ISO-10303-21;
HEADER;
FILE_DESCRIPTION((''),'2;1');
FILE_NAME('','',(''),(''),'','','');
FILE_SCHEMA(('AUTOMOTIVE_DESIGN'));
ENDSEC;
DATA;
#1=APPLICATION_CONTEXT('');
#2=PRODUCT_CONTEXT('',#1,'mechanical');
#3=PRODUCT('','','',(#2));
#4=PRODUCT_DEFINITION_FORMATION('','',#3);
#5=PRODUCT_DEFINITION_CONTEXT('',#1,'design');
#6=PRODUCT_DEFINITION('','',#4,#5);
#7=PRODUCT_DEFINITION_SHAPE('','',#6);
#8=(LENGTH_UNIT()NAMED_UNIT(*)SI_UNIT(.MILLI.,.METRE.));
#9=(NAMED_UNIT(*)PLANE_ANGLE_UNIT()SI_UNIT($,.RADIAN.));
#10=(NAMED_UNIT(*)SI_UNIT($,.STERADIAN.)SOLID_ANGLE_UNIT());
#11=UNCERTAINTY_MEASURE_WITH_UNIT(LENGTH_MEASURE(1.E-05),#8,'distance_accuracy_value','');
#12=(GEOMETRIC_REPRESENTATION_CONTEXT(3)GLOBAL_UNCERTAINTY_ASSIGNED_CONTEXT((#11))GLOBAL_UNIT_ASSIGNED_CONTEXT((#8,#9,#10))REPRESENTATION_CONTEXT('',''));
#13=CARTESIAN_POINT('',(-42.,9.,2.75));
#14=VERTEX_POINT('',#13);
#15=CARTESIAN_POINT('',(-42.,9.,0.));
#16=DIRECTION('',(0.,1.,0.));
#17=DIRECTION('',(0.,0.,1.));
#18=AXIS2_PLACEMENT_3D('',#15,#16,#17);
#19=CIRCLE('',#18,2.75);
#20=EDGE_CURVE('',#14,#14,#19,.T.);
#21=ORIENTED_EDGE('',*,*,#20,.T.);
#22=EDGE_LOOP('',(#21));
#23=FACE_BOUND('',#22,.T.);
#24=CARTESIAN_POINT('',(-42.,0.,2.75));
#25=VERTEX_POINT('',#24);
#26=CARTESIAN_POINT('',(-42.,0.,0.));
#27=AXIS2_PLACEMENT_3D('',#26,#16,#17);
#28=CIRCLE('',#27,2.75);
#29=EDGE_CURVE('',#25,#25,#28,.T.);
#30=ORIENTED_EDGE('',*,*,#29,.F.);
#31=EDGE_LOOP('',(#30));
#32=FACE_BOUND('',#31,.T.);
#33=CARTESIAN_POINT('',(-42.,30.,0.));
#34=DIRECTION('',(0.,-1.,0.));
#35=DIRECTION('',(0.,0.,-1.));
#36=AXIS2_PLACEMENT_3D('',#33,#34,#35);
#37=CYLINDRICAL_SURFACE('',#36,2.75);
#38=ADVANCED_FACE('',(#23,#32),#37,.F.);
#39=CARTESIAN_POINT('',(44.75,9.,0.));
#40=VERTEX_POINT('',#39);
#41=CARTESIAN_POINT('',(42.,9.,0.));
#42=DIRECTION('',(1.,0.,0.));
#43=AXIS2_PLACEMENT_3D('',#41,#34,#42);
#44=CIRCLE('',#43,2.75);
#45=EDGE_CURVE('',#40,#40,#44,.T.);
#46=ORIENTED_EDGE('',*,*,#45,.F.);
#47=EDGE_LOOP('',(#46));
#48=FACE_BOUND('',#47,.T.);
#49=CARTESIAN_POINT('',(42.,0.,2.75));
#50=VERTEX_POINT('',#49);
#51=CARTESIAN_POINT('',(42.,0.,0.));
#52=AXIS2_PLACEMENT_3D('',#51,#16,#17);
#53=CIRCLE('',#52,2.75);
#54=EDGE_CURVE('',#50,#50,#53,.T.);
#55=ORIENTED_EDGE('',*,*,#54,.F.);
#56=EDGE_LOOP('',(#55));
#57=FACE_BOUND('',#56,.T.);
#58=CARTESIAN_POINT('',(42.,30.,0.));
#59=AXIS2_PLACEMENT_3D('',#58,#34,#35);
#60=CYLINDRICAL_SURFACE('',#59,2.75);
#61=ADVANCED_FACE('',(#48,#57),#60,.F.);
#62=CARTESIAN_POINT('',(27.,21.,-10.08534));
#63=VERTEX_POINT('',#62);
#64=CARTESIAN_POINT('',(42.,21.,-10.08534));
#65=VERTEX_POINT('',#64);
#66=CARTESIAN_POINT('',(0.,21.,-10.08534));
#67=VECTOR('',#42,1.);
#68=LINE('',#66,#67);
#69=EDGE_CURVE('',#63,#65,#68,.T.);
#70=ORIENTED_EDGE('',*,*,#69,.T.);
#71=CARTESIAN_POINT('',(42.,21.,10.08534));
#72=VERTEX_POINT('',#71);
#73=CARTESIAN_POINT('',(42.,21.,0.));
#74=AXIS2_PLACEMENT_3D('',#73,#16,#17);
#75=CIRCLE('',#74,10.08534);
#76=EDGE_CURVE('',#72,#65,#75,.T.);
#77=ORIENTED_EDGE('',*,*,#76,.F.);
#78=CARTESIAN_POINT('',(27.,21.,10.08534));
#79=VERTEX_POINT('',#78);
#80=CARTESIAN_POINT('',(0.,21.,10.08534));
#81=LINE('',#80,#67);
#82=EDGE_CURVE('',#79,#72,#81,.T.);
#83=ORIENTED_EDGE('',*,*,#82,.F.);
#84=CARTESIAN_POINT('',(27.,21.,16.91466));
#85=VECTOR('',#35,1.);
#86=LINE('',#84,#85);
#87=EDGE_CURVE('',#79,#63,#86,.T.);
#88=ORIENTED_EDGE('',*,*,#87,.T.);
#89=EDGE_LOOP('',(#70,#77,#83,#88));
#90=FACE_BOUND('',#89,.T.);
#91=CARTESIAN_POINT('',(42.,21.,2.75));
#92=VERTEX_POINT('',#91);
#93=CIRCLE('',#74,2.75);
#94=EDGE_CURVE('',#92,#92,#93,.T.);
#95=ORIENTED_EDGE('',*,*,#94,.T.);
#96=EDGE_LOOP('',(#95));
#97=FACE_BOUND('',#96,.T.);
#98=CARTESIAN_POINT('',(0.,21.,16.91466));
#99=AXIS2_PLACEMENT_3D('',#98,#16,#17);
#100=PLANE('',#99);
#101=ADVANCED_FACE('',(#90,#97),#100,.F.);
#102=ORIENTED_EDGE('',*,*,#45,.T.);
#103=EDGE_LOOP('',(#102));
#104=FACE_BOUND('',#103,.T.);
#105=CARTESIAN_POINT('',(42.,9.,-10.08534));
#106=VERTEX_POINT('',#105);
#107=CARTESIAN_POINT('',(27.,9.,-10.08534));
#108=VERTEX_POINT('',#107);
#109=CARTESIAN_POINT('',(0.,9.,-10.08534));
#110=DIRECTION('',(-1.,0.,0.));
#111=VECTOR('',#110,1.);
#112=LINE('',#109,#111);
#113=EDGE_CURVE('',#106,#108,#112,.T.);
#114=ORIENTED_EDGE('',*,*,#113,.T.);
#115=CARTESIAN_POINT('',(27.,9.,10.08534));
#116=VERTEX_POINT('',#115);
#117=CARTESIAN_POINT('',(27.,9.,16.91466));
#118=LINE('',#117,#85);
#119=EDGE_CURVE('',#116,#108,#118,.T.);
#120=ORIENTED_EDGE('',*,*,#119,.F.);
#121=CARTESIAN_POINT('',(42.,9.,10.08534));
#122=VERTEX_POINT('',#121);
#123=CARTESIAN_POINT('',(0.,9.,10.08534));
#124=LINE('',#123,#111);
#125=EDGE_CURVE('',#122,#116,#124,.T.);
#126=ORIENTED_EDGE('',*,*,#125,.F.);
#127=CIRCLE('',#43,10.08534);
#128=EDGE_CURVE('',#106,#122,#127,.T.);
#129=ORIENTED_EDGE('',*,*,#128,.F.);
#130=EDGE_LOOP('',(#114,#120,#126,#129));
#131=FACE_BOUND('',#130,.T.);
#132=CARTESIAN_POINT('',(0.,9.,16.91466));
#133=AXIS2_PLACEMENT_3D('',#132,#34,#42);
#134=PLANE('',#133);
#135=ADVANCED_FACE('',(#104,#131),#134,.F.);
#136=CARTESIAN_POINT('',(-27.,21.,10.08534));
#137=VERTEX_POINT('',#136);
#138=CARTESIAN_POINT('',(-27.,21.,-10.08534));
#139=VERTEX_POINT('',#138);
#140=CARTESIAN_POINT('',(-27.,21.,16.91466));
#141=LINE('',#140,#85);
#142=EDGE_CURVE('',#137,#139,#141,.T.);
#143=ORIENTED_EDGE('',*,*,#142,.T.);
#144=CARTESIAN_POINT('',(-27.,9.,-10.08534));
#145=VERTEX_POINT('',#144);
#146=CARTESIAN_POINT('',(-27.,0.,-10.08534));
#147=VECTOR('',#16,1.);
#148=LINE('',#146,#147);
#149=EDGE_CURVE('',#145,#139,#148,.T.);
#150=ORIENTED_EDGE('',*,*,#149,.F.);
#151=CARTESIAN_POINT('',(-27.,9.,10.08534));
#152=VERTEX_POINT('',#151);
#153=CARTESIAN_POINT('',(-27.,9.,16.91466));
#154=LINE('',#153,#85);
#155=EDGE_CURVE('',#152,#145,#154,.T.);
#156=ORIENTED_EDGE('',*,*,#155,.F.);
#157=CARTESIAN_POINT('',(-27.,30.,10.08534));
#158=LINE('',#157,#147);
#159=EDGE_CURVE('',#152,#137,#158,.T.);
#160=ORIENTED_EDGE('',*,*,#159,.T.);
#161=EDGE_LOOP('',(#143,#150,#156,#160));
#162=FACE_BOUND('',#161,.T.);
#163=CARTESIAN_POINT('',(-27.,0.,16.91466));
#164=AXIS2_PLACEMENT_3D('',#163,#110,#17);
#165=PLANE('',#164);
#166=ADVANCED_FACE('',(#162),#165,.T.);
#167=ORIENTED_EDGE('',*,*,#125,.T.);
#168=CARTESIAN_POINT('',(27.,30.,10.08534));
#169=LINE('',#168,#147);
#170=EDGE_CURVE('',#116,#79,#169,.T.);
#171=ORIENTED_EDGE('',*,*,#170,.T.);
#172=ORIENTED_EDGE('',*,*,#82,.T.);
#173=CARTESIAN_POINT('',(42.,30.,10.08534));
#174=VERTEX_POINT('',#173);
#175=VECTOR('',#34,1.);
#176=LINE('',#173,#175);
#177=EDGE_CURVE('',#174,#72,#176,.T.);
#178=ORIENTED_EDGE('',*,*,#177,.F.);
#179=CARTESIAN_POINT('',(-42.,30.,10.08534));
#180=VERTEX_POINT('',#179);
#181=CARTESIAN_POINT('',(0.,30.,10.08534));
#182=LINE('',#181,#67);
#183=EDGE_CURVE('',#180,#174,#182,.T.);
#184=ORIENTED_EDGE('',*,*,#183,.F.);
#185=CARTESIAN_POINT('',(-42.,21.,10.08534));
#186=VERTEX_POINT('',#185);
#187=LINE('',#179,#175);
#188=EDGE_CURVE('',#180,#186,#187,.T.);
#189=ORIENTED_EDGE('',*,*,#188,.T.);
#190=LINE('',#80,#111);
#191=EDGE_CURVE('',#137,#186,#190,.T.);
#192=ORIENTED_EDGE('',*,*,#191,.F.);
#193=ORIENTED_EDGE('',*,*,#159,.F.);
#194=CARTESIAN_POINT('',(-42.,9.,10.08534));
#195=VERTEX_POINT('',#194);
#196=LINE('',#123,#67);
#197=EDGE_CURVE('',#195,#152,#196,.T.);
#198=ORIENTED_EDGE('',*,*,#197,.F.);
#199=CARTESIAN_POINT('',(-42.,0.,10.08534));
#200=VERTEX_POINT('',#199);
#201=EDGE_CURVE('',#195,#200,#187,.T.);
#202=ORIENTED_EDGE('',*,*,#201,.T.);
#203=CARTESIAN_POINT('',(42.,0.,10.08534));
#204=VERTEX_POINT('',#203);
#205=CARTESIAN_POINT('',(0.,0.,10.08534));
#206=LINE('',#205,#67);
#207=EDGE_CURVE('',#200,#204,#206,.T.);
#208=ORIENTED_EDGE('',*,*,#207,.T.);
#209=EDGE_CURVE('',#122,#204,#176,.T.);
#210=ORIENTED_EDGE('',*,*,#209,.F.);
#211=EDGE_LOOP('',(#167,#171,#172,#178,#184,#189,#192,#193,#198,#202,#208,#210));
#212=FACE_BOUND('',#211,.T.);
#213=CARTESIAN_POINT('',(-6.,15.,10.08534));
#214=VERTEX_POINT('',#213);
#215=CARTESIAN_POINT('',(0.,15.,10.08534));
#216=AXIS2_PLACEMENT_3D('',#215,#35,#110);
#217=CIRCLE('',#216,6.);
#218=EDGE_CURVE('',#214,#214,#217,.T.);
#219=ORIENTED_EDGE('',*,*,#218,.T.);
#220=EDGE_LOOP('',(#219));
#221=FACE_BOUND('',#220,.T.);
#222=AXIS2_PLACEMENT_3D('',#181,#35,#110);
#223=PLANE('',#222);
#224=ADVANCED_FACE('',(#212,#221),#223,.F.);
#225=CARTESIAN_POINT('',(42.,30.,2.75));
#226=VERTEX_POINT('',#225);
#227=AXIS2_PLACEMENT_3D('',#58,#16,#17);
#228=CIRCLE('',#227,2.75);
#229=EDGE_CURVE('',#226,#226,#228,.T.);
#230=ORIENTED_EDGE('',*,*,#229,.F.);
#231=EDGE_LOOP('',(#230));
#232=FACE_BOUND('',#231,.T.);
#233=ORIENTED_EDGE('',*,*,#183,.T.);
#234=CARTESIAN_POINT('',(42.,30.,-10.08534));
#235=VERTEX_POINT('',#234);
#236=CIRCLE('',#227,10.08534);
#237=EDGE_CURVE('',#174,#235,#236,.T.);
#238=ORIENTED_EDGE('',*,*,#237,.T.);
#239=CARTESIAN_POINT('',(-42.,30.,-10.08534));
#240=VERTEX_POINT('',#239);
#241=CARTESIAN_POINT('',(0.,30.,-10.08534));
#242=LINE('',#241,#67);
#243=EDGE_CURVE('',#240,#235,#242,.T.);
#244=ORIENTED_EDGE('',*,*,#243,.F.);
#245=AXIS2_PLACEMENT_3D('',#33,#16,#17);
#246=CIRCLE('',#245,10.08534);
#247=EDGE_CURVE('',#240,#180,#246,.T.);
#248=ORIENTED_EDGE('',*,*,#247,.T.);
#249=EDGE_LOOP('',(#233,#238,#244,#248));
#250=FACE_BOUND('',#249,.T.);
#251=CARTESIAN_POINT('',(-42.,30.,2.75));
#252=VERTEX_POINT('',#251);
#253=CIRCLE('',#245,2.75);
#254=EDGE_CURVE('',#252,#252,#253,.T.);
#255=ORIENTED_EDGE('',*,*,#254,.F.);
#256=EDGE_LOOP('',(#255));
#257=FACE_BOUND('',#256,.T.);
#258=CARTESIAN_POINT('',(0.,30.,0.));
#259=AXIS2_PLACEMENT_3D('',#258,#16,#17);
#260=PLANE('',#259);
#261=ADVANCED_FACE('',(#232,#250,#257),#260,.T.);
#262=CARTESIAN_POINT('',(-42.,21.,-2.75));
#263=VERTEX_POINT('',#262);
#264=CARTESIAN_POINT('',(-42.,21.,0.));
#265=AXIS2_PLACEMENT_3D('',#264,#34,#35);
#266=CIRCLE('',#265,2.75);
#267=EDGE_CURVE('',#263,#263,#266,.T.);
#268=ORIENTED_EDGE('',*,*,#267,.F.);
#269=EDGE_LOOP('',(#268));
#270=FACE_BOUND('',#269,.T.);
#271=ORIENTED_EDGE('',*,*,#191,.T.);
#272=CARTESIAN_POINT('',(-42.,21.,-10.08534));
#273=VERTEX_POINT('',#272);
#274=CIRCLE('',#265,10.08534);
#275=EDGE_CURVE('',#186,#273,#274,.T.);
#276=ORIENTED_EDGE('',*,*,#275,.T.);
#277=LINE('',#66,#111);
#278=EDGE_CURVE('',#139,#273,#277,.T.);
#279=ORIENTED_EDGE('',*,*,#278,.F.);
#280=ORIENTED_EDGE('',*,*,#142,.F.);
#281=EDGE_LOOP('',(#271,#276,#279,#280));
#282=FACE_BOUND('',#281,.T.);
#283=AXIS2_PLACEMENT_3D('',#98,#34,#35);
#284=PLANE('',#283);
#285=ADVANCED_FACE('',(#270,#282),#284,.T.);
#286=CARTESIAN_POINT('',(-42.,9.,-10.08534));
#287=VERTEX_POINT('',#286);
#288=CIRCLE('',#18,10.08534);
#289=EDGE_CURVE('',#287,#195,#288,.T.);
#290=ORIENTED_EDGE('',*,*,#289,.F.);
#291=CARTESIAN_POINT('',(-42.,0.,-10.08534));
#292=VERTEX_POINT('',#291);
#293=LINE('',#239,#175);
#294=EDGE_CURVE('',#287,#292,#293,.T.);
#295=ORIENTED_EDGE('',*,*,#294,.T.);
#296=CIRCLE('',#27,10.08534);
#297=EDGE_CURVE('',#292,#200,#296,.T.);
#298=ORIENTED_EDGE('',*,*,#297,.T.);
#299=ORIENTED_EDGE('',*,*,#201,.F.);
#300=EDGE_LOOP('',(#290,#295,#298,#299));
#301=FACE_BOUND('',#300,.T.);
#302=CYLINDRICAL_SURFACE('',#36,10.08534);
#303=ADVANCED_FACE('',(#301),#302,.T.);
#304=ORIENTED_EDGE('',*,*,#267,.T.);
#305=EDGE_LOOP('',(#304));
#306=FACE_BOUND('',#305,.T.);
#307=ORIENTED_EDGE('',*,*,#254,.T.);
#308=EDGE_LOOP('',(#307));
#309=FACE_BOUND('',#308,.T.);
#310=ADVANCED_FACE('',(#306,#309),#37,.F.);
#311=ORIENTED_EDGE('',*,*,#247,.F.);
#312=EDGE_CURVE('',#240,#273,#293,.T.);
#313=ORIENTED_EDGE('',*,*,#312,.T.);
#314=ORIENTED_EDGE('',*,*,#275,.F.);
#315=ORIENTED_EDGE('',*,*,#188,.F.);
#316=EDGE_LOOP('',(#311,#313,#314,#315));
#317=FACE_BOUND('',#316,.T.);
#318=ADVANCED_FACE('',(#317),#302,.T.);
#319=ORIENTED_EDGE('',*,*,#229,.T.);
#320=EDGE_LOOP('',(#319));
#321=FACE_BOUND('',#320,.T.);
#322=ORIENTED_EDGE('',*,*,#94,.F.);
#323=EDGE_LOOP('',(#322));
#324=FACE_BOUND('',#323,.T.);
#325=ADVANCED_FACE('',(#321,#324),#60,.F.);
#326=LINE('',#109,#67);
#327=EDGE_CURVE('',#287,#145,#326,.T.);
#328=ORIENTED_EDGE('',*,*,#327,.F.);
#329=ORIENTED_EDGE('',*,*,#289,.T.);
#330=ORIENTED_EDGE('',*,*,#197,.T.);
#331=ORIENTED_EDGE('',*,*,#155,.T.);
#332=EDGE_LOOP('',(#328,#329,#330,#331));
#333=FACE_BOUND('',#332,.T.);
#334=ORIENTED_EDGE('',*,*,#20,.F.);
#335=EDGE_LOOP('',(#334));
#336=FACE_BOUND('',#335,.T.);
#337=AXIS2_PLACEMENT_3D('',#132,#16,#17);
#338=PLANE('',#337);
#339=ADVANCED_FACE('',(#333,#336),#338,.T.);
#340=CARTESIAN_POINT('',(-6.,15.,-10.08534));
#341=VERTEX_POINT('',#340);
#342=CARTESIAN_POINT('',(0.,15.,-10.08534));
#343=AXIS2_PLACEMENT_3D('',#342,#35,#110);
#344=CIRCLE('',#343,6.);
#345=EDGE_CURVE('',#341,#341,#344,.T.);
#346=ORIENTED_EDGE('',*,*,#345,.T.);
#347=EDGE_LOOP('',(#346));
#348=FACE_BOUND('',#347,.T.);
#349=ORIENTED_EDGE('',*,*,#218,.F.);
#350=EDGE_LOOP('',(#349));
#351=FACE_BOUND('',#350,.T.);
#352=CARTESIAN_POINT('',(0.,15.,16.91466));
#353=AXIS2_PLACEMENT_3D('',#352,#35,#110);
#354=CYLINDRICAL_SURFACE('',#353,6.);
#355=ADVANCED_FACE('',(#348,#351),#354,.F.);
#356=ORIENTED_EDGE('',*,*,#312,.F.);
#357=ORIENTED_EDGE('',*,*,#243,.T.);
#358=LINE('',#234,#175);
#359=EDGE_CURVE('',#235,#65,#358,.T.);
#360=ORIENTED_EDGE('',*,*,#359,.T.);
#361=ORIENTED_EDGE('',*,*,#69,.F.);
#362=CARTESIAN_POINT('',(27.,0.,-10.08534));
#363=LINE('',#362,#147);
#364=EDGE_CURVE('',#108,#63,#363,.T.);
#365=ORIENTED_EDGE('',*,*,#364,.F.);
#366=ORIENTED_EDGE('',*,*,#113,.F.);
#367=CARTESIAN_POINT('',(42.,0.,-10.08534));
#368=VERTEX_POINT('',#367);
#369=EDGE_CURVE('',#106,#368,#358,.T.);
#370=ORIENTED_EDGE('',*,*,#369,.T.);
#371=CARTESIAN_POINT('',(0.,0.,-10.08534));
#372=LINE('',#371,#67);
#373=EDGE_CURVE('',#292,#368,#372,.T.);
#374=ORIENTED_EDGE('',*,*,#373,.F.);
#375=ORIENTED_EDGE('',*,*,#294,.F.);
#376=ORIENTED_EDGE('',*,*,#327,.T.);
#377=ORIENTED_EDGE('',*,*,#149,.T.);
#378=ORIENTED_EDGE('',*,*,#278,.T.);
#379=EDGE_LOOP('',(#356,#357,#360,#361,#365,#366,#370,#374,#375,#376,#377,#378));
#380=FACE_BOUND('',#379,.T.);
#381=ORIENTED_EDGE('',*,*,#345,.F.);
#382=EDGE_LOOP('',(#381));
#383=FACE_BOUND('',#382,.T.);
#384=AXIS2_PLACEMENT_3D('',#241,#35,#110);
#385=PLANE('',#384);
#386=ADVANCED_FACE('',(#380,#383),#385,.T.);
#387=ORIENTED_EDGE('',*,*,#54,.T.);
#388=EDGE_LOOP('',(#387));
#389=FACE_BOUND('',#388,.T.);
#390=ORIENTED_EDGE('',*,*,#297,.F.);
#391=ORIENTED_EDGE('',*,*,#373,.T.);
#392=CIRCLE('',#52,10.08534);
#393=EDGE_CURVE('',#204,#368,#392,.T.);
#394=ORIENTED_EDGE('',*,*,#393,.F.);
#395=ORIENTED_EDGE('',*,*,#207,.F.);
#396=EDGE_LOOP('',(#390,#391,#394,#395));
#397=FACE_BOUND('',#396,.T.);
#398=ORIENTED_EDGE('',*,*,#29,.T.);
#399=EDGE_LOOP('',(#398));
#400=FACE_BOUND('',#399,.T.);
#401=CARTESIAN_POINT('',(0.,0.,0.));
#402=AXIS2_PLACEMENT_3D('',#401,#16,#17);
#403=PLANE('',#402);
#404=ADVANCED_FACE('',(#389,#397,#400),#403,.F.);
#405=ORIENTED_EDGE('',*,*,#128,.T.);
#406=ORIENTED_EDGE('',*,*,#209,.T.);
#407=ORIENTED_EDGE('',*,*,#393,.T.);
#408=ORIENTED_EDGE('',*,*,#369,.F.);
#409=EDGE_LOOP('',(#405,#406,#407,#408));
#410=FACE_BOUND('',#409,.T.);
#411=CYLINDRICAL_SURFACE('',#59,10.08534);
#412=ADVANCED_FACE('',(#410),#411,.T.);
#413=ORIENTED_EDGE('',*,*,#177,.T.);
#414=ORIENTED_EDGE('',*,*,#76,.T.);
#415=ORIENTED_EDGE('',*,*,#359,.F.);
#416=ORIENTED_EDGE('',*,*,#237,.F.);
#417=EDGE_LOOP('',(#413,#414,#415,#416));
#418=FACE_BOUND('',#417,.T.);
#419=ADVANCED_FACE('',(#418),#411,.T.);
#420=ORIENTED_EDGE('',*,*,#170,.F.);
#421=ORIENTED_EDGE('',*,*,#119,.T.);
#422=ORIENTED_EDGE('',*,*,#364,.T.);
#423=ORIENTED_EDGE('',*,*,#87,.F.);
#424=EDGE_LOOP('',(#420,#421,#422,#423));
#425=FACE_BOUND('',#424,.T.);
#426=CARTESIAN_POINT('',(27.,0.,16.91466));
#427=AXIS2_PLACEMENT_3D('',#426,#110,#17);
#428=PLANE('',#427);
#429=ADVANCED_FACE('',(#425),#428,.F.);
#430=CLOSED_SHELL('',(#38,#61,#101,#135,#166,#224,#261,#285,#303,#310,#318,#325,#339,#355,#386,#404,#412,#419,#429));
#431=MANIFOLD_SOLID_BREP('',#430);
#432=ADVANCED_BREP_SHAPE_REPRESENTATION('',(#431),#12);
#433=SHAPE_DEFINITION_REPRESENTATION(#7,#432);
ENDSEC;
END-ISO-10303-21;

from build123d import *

# Parameters (mm, degrees)
SKETCH1_R           = 2.75
BOSS_EXTRUDE1_DEPTH = 30
SKETCH4_W           = 40.854954683
SKETCH4_H           = 12
CUT_EXTRUDE1_DEPTH  = 27
CUT_EXTRUDE2_DEPTH  = 27


with BuildPart() as part:
    # Sketch1 → Boss-Extrude1 (new body)
    with BuildSketch(Plane(origin=(0, 0, 0), x_dir=(1, 0, 0), z_dir=(0, 1, 0))):
        with BuildLine():
            Line((42, 10.085339835), (-42, 10.085339835))
            ThreePointArc((-42, 10.085339835), (-52.085339835, 0), (-42, -10.085339835))
            Line((-42, -10.085339835), (42, -10.085339835))
            ThreePointArc((42, -10.085339835), (52.085339835, 0), (42, 10.085339835))
        make_face()
        with Locations((-42, 0)):
            Circle(SKETCH1_R, mode=Mode.SUBTRACT)
        with Locations((42, 0)):
            Circle(SKETCH1_R, mode=Mode.SUBTRACT)
    extrude(amount=BOSS_EXTRUDE1_DEPTH)

    # Sketch4 → Cut-Extrude1 (cut)
    with BuildSketch(Plane(origin=(0, 0, -10.085339835), x_dir=(-1, 0, 0), z_dir=(0, 0, -1))):
        with Locations((47.427477342, 15)):
            Rectangle(SKETCH4_W, SKETCH4_H)
        with Locations((-47.427477342, 15)):
            Rectangle(SKETCH4_W, SKETCH4_H)
    extrude(amount=-CUT_EXTRUDE1_DEPTH, mode=Mode.SUBTRACT)

    # Sketch4<3> → Cut-Extrude2 (cut)
    with BuildSketch(Plane(origin=(0, 0, -10.085339835), x_dir=(-1, 0, 0), z_dir=(0, 0, -1))):
        with BuildLine():
            ThreePointArc((0, 9), (4.242640687, 10.757359313), (6, 15))
            ThreePointArc((6, 15), (-4.242640687, 19.242640687), (0, 9))
        make_face()
    extrude(amount=-CUT_EXTRUDE2_DEPTH, mode=Mode.SUBTRACT)


solid = part.part
